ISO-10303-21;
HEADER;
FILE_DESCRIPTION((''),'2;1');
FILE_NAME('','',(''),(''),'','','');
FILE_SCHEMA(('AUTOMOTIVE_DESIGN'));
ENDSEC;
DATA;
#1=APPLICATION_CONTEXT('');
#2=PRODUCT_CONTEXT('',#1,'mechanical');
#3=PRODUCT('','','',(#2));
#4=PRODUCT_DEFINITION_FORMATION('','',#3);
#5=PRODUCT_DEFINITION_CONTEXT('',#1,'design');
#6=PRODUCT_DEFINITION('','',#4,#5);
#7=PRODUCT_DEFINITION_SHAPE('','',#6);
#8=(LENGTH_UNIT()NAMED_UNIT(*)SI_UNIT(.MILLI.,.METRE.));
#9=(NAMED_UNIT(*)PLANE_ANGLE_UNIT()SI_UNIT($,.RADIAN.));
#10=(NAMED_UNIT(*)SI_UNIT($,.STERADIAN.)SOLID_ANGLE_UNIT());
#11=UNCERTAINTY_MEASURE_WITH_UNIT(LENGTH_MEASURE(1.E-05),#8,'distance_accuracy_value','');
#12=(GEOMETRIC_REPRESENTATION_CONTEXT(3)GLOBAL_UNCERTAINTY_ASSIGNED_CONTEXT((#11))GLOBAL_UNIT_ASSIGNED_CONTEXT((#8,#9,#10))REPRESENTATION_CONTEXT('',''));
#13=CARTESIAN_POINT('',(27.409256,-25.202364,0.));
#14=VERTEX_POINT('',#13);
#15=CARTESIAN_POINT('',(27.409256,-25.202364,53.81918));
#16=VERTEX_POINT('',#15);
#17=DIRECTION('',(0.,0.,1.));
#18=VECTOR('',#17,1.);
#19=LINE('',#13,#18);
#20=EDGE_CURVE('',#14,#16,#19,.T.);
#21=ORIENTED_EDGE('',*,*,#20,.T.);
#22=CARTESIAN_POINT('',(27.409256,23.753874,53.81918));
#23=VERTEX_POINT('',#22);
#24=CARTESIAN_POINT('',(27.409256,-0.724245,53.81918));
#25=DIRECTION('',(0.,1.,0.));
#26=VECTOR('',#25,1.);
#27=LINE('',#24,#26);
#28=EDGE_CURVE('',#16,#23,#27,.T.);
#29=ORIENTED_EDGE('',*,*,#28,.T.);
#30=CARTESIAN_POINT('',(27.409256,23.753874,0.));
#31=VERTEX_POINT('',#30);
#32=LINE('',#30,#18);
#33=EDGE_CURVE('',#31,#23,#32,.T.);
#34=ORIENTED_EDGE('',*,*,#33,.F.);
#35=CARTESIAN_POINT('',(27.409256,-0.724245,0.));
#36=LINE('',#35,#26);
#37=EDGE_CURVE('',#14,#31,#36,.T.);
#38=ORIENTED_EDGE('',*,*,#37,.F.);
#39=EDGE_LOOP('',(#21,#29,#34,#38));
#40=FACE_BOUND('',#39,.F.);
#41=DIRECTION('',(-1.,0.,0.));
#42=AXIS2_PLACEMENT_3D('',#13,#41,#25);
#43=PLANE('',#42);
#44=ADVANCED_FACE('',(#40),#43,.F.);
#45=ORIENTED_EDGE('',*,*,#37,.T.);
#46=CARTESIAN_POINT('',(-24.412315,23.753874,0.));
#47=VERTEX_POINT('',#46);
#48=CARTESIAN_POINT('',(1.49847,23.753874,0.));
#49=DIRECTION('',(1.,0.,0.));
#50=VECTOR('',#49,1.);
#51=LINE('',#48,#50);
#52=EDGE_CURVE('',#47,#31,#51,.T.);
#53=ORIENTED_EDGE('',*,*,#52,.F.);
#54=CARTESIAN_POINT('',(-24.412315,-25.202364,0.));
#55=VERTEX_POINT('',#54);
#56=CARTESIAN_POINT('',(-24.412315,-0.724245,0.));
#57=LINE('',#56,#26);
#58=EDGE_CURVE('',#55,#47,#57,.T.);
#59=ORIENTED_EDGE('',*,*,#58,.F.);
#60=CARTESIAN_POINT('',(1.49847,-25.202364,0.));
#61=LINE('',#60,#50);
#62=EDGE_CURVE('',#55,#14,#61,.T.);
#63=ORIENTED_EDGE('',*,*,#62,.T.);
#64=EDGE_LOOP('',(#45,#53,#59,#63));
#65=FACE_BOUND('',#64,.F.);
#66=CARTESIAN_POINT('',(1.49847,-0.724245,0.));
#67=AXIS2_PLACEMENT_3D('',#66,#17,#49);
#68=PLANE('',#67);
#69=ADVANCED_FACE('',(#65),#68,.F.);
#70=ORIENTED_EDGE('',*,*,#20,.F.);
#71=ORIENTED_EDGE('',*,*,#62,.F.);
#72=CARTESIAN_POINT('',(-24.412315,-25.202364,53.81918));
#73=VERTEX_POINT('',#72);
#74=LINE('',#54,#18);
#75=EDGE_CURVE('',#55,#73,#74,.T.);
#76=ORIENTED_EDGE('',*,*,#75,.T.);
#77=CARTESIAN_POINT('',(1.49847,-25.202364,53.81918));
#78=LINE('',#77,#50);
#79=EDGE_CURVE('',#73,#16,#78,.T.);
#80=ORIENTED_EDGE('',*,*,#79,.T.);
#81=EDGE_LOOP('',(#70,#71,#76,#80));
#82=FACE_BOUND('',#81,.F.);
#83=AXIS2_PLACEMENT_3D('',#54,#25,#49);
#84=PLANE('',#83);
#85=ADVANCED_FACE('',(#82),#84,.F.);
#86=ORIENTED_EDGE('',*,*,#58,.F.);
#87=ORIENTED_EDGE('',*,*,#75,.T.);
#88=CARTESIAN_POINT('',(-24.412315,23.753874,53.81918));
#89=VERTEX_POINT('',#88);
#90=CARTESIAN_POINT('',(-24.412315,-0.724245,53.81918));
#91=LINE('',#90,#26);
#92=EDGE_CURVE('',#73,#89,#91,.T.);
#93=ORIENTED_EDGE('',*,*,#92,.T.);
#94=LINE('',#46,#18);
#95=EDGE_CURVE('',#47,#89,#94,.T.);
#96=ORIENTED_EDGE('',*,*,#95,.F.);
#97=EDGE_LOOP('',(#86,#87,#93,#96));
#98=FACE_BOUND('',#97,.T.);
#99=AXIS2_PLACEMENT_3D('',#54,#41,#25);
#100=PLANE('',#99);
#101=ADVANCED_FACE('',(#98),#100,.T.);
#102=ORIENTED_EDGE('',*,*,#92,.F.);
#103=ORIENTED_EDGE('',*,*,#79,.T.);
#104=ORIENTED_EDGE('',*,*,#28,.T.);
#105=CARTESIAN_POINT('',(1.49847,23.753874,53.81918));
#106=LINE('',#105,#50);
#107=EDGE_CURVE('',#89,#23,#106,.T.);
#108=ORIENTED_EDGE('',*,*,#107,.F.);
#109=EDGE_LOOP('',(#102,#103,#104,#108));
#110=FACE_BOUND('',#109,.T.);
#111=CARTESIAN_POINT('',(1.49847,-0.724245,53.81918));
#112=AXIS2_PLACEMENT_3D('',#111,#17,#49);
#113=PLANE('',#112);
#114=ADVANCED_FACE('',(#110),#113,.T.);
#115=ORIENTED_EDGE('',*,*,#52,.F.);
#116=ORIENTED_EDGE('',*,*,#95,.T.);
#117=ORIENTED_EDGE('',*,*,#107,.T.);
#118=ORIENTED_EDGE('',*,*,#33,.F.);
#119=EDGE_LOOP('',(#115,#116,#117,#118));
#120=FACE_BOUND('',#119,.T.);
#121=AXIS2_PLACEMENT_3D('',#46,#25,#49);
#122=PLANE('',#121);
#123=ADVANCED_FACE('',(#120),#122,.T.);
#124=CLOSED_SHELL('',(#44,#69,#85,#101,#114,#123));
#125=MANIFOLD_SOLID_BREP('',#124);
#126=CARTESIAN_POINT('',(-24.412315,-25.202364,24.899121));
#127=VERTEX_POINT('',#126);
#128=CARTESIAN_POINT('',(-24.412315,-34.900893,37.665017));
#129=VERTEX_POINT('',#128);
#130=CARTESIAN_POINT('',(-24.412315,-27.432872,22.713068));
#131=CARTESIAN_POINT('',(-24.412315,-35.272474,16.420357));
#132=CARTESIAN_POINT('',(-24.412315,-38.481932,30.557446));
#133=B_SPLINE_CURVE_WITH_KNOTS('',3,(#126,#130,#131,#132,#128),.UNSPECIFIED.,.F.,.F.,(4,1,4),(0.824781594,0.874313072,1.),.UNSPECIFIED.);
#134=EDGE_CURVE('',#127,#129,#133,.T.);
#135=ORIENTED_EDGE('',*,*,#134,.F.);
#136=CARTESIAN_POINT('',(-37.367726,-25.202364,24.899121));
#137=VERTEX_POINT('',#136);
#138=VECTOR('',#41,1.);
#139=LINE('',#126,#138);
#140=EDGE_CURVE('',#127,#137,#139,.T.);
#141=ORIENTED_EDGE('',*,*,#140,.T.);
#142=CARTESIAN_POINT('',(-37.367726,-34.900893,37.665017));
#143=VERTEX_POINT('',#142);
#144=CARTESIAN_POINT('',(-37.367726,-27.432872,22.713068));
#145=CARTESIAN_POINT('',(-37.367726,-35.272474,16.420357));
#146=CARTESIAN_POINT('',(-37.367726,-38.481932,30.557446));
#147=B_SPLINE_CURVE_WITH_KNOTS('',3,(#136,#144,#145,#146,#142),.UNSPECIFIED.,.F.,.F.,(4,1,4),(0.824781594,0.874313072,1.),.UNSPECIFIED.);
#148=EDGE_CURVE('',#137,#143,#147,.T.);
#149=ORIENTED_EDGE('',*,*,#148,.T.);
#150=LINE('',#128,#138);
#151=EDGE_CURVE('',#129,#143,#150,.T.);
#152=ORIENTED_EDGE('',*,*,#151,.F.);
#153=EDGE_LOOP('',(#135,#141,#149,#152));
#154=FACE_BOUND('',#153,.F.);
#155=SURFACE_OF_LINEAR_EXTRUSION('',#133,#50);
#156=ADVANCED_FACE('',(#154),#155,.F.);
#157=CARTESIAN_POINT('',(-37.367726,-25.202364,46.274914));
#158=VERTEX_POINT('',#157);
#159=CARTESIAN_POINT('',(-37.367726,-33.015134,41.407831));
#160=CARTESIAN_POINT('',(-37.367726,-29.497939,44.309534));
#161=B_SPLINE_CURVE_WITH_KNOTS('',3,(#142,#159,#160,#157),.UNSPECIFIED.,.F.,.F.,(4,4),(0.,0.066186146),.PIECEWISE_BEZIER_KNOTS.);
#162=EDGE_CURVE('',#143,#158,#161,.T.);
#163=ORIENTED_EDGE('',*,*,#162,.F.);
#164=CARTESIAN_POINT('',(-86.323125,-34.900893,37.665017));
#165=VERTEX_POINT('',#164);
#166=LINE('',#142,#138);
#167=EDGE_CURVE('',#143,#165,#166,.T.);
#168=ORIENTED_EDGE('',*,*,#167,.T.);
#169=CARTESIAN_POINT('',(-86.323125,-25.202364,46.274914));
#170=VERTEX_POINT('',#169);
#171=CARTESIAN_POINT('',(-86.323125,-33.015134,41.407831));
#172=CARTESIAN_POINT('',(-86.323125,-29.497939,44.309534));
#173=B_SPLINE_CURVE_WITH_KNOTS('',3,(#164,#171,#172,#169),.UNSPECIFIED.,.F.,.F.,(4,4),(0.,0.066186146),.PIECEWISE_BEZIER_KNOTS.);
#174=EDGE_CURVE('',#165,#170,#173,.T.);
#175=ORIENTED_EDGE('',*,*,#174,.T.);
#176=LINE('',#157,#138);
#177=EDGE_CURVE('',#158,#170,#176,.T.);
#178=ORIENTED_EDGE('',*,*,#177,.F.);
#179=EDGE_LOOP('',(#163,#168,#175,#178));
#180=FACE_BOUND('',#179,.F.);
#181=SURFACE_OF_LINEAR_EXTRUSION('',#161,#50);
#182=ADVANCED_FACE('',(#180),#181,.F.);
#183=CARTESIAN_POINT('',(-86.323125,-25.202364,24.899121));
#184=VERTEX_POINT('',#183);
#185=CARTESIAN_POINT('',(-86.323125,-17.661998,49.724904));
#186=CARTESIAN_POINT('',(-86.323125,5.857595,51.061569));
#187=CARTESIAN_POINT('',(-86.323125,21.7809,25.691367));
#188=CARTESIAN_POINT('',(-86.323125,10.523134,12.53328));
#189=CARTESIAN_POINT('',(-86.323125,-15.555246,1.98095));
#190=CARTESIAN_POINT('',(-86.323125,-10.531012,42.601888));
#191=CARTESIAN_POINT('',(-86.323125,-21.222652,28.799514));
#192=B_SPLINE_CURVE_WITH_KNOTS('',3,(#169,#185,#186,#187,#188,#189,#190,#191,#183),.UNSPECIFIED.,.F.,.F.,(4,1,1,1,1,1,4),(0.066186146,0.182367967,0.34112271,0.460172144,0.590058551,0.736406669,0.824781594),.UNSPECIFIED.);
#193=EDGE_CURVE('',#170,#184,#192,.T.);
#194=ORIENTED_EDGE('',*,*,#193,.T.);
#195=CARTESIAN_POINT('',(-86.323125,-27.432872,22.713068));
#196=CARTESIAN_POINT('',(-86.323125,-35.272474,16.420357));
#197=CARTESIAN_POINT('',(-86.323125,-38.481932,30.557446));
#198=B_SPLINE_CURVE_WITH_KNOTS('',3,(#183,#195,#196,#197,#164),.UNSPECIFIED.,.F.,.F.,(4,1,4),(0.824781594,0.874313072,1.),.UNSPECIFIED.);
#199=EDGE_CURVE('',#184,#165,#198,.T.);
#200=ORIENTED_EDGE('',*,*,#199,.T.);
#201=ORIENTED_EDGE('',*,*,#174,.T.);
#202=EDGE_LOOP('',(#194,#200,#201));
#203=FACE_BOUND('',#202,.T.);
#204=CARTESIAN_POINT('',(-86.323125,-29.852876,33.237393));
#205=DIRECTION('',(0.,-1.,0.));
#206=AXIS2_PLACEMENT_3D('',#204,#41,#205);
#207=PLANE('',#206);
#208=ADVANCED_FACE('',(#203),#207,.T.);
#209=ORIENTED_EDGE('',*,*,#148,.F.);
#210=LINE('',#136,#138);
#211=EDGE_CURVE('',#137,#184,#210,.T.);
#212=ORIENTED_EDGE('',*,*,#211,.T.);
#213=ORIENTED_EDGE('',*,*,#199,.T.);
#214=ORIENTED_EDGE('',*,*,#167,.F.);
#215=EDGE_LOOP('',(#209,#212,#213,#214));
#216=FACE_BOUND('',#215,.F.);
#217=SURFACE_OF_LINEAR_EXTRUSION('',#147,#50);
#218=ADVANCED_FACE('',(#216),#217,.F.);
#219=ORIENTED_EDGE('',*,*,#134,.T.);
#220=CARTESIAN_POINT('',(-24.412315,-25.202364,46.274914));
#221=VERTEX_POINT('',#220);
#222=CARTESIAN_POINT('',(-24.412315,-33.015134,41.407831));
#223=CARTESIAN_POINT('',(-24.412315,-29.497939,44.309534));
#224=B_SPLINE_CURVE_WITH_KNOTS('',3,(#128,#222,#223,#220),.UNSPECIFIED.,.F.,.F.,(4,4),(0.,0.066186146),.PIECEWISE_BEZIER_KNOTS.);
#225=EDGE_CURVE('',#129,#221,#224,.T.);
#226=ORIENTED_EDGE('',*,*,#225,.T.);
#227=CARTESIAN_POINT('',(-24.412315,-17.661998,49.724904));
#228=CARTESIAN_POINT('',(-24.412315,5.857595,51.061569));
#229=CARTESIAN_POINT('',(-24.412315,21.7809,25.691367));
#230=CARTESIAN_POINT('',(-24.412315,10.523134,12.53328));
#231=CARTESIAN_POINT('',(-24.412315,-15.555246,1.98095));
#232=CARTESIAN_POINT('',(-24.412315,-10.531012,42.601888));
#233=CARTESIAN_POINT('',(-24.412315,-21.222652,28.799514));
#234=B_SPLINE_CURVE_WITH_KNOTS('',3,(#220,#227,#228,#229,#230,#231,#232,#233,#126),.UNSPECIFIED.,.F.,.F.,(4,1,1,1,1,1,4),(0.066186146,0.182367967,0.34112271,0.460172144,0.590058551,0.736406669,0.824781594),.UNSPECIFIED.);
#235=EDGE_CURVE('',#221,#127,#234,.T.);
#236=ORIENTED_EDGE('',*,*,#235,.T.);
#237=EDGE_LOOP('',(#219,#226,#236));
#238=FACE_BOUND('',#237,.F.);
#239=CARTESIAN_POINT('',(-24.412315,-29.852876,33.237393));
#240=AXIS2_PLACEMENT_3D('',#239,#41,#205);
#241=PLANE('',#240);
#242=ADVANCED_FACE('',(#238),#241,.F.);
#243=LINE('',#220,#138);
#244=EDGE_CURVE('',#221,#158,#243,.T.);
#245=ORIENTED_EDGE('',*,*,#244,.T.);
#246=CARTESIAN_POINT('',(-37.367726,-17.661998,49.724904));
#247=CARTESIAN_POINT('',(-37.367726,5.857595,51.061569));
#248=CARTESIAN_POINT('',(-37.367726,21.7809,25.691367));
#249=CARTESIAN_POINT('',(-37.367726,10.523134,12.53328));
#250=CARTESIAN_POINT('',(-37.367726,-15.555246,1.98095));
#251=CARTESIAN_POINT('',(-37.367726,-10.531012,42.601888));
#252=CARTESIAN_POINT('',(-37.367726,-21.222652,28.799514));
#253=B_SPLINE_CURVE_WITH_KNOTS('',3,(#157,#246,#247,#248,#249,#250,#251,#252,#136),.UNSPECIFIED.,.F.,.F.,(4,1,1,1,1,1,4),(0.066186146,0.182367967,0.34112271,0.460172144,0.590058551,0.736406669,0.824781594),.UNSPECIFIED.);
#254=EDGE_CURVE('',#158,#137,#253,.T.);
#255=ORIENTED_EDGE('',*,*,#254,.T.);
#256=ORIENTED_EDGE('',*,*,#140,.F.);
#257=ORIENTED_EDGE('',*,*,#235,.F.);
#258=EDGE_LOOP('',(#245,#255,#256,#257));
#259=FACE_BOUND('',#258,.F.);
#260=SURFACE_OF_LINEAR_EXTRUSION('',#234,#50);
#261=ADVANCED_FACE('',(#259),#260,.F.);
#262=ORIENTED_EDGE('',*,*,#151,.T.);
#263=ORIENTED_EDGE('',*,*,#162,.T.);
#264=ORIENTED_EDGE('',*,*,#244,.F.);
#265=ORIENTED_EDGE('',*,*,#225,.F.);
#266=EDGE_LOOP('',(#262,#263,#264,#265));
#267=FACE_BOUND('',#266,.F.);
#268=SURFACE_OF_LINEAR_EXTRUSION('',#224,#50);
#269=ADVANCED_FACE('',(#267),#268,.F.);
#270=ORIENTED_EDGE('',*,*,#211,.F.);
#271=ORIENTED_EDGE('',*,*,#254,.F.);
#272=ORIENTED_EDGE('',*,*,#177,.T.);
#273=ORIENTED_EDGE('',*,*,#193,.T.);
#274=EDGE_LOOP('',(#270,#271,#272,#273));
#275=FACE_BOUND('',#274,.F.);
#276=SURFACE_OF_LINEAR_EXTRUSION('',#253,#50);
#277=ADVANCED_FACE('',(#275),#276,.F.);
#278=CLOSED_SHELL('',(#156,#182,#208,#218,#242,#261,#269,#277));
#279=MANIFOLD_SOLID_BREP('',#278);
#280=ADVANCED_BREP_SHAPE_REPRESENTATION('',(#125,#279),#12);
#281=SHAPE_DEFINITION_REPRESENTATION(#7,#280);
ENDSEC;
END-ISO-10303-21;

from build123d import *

# Parameters (mm, degrees)
F0_W     = 51.8215708435
F0_H     = 48.9562377334
F1_DEPTH = 53.8191795349
F3_DEPTH = 12.955410406
F4_DEPTH = 48.955399543


with BuildPart() as f1:
    # F0 (on Top) → F1 (new body)
    with BuildSketch(Plane.XY):
        with Locations((1.4984700829, -0.7242448628)):
            Rectangle(F0_W, F0_H)
    extrude(amount=F1_DEPTH)


with BuildPart() as f3:
    # F2 (on face) → F3 (new body)
    with BuildSketch(Plane(origin=(-24.4123153389, 0, 0), x_dir=(0, -1, 0), z_dir=(-1, 0, 0))):
        with BuildLine():
            add(Edge.make_bspline(
                [(25.2023637295, 24.8991206986), (27.4328722263, 22.7130681905), (35.272473577, 16.4203572017), (38.4819320218, 30.5574458081), (34.9008925259, 37.6650169492)],
                knots=[0.8247815937, 0.8247815937, 0.8247815937, 0.8247815937, 0.8743130724, 1, 1, 1, 1], degree=3))
            add(Edge.make_bspline(
                [(34.9008925259, 37.6650169492), (33.0151339497, 41.4078305235), (29.4979390267, 44.3095338115), (25.2023637295, 46.27491442)],
                knots=[0, 0, 0, 0, 0.0661861456, 0.0661861456, 0.0661861456, 0.0661861456], degree=3))
            Line((25.2023637295, 46.27491442), (25.2023637295, 24.8991206986))
        make_face()
        with BuildLine():
            Line((25.2023637295, 24.8991206986), (25.2023637295, 46.27491442))
            add(Edge.make_bspline(
                [(25.2023637295, 46.27491442), (17.6619977554, 49.7249037791), (-5.8575945119, 51.0615692521), (-21.7809004535, 25.6913665566), (-10.523133677, 12.533279507), (15.5552460631, 1.9809499794), (10.5310117353, 42.6018878712), (21.2226517417, 28.7995135394), (25.2023637295, 24.8991206986)],
                knots=[0.0661861456, 0.0661861456, 0.0661861456, 0.0661861456, 0.1823679667, 0.3411227101, 0.4601721444, 0.5900585515, 0.7364066694, 0.8247815937, 0.8247815937, 0.8247815937, 0.8247815937], degree=3))
        make_face()
    extrude(amount=F3_DEPTH)

    # F4 (add): a face of the model
    f4_faces = [f3.faces().sort_by_distance(p)[0] for p in [
        (-37.3677257448, -7.6885673531, 30.8637236045),
    ]]
    extrude(f4_faces, amount=F4_DEPTH)


solid = Compound([f1.part, f3.part])
